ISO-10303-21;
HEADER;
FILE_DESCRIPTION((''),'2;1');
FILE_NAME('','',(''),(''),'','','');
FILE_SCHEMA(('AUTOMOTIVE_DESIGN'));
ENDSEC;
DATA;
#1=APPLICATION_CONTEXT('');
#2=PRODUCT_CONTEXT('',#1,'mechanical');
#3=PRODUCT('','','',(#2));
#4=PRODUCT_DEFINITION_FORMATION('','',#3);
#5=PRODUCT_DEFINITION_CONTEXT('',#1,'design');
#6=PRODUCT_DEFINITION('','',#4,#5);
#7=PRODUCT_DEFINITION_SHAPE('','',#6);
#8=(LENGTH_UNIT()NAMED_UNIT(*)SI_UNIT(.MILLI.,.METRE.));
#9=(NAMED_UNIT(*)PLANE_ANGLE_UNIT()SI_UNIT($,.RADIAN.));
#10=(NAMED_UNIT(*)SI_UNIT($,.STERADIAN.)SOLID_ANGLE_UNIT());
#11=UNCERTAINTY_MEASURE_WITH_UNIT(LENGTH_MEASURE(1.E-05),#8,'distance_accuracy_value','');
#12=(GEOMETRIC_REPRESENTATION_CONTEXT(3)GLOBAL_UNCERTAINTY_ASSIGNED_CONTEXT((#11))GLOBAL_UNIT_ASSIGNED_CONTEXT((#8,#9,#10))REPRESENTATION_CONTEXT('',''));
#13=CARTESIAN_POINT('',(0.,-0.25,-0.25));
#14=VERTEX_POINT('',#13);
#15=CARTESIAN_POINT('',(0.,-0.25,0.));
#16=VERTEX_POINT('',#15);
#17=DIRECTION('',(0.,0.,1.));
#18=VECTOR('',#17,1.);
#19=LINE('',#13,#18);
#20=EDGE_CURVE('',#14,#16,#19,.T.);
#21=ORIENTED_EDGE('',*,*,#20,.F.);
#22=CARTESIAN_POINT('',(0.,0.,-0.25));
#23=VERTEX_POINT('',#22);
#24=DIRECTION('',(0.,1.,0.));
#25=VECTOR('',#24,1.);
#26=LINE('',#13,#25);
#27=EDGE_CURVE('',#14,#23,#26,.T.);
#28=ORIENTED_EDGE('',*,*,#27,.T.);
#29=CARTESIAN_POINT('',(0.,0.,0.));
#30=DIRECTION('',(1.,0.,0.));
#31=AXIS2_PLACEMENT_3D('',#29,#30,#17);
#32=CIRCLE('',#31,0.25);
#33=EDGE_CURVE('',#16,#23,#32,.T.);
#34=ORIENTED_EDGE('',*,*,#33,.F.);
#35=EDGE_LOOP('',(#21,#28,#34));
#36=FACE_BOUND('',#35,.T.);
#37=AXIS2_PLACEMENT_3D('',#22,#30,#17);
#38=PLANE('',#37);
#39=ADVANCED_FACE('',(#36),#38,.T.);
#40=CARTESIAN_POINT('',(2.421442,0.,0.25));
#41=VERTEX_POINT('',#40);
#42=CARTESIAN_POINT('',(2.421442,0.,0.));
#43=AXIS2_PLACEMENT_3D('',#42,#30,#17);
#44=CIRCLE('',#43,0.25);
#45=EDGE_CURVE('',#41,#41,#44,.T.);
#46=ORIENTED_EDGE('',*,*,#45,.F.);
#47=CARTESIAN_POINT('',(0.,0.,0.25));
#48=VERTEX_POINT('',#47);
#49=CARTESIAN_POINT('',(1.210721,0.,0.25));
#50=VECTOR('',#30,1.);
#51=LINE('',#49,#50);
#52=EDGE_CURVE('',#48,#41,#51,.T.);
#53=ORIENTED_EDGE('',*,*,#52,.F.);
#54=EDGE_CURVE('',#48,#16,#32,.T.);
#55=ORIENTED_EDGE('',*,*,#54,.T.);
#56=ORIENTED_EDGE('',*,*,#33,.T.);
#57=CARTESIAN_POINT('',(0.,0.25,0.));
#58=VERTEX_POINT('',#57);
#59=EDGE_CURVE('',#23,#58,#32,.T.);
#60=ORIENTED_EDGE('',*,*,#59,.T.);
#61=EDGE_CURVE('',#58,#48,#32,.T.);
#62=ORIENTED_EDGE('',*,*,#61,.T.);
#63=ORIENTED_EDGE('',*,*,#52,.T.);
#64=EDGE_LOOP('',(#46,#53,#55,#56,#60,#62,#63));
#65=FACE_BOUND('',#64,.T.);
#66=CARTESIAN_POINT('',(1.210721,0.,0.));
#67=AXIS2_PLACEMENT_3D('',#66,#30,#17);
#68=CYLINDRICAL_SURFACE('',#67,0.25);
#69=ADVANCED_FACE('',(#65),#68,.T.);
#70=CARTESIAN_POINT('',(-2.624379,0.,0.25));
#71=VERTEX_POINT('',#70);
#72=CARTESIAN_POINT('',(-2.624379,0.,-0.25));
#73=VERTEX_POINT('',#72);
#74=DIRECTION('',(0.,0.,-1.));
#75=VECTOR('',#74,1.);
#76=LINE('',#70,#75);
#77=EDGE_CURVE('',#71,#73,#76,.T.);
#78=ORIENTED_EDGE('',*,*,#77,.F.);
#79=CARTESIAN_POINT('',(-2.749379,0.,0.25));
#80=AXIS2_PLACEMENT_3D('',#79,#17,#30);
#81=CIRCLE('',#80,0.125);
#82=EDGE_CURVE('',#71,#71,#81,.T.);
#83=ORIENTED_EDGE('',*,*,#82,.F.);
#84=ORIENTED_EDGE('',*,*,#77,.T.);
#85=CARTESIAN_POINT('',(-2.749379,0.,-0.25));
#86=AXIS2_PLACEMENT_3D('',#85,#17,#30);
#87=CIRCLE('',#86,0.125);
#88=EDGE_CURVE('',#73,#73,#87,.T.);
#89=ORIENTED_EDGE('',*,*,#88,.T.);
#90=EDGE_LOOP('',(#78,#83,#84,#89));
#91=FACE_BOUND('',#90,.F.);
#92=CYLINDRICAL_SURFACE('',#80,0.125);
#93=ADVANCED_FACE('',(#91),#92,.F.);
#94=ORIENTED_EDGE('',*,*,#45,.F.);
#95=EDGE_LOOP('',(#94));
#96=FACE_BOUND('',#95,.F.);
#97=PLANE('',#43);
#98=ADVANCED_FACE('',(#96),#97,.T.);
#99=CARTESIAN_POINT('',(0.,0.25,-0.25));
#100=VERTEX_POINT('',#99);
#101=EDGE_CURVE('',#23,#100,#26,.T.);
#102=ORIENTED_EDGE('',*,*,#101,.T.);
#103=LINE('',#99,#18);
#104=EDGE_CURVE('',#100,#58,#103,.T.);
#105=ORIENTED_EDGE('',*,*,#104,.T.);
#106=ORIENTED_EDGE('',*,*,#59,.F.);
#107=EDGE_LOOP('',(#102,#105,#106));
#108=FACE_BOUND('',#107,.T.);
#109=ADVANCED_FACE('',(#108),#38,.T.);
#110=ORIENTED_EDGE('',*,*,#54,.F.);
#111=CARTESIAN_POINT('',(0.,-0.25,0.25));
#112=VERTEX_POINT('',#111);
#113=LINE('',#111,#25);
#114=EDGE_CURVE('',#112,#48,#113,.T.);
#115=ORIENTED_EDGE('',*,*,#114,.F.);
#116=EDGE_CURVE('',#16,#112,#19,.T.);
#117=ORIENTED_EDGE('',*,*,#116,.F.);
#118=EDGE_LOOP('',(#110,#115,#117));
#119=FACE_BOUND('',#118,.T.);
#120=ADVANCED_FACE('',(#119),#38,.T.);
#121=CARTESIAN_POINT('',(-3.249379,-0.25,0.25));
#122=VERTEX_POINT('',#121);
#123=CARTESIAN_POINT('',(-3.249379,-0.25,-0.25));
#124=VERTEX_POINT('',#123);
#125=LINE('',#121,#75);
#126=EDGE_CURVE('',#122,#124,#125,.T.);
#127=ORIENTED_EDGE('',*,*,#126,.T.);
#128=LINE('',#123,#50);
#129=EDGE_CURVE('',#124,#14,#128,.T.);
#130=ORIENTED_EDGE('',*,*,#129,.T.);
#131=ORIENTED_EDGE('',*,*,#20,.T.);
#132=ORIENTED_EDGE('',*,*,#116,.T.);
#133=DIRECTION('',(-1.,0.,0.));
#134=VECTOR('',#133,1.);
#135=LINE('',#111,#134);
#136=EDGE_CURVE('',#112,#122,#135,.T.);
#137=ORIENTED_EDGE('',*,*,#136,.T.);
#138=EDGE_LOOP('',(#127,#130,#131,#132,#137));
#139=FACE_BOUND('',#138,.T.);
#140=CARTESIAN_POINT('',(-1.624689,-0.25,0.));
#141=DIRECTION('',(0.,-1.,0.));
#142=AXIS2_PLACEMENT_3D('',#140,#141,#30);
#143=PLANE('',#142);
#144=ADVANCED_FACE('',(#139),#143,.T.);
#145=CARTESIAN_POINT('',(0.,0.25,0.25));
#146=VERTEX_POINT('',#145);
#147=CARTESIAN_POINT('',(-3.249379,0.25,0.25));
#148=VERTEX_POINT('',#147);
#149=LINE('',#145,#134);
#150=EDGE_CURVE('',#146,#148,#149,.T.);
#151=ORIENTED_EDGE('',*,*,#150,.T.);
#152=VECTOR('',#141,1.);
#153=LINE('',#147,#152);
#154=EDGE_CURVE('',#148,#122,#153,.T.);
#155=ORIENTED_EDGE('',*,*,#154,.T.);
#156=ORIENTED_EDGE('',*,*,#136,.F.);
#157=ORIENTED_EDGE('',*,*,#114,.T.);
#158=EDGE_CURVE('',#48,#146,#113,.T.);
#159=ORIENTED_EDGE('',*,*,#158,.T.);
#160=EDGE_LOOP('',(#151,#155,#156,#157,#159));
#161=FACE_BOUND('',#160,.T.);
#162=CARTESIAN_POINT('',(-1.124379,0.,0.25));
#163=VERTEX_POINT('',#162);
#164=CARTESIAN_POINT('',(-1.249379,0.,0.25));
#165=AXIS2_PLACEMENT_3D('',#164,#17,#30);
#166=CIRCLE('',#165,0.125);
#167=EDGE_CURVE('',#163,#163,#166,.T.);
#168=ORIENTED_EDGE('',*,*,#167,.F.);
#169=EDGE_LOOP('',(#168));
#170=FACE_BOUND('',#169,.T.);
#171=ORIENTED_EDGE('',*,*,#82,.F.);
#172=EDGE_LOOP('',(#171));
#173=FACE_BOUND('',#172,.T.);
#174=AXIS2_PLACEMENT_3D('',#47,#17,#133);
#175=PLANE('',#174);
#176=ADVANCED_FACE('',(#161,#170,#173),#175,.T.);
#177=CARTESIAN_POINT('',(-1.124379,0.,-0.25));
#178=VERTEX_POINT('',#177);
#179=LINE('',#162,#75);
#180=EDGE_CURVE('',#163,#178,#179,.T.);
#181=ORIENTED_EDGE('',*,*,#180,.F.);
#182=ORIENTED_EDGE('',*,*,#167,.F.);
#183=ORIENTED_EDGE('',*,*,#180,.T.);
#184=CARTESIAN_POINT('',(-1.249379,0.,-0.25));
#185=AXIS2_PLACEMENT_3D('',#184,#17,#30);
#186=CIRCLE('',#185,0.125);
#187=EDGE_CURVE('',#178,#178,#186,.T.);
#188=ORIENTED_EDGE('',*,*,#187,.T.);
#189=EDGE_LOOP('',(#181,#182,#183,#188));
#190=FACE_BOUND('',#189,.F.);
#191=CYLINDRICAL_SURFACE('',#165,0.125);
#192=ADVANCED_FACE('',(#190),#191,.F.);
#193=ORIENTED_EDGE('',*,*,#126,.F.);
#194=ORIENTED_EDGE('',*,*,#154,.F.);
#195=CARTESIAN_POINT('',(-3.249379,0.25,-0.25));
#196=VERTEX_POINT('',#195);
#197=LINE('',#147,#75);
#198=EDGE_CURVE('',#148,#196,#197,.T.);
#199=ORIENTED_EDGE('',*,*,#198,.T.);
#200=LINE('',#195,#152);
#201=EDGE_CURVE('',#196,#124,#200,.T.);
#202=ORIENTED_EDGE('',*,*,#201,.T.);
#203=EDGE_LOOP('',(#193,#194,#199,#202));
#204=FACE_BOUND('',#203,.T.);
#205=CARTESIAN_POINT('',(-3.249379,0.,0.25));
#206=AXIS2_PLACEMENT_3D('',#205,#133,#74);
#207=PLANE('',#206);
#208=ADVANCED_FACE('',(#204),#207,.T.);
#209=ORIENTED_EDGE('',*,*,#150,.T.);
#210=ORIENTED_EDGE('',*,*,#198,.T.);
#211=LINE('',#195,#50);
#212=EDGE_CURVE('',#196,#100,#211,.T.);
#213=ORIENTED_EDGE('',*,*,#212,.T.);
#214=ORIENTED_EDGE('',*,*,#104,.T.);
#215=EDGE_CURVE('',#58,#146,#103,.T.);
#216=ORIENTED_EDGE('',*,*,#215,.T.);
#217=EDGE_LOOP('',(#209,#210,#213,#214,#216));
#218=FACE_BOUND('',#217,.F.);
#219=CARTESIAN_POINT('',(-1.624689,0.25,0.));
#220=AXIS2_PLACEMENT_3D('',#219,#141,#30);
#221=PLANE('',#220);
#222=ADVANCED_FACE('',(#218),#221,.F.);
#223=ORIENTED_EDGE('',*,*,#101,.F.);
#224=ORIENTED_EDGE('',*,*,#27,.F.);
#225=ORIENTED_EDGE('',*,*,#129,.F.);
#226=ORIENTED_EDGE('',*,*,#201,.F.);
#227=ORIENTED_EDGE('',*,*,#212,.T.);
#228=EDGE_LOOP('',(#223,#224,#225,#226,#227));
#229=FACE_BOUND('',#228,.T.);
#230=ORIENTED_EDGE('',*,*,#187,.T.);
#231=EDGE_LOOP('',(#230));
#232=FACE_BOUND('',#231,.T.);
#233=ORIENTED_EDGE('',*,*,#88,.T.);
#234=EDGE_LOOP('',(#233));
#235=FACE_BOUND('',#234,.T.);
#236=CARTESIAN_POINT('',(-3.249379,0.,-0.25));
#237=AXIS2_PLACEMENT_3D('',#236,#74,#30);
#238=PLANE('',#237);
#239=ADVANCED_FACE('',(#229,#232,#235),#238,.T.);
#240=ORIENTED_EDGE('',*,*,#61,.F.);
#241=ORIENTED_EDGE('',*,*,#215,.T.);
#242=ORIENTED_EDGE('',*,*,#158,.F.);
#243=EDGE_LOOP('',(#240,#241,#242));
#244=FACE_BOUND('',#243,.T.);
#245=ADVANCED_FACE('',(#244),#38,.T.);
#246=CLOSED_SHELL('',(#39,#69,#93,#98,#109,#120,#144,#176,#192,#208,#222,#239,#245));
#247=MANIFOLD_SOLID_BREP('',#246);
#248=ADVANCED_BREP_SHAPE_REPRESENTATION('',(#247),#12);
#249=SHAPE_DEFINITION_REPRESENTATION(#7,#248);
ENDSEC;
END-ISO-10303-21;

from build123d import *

# Parameters (mm, degrees)
F1_DEPTH = 0.25
F0_W     = 2.421442
F0_H     = 0.25
F3_R     = 0.125
F4_DEPTH = 0.501


with BuildPart() as f1:
    # F0 (on Front) → F1 (new body, symmetric)
    with BuildSketch(Plane.XZ):
        Polygon((0, 0), (0, 0.25), (-3.249379, 0.25), (-3.249379, -0.25), (0, -0.25), align=None)
    extrude(amount=F1_DEPTH, both=True)

    # F0 (on Front) → F2 (revolve)
    with BuildSketch(Plane.XZ):
        with Locations((1.210721, 0.125)):
            Rectangle(F0_W, F0_H)
    revolve(axis=Axis((1.210721, 0, 0), (1, 0, 0)))

    # F3 (on face) → F4 (cut, through all)
    with BuildSketch(Plane.XY.offset(0.25)):
        with Locations((-2.749379, 0)):
            Circle(F3_R)
        with Locations((-1.249379, 0)):
            Circle(F3_R)
    extrude(amount=-F4_DEPTH, mode=Mode.SUBTRACT)


solid = f1.part
